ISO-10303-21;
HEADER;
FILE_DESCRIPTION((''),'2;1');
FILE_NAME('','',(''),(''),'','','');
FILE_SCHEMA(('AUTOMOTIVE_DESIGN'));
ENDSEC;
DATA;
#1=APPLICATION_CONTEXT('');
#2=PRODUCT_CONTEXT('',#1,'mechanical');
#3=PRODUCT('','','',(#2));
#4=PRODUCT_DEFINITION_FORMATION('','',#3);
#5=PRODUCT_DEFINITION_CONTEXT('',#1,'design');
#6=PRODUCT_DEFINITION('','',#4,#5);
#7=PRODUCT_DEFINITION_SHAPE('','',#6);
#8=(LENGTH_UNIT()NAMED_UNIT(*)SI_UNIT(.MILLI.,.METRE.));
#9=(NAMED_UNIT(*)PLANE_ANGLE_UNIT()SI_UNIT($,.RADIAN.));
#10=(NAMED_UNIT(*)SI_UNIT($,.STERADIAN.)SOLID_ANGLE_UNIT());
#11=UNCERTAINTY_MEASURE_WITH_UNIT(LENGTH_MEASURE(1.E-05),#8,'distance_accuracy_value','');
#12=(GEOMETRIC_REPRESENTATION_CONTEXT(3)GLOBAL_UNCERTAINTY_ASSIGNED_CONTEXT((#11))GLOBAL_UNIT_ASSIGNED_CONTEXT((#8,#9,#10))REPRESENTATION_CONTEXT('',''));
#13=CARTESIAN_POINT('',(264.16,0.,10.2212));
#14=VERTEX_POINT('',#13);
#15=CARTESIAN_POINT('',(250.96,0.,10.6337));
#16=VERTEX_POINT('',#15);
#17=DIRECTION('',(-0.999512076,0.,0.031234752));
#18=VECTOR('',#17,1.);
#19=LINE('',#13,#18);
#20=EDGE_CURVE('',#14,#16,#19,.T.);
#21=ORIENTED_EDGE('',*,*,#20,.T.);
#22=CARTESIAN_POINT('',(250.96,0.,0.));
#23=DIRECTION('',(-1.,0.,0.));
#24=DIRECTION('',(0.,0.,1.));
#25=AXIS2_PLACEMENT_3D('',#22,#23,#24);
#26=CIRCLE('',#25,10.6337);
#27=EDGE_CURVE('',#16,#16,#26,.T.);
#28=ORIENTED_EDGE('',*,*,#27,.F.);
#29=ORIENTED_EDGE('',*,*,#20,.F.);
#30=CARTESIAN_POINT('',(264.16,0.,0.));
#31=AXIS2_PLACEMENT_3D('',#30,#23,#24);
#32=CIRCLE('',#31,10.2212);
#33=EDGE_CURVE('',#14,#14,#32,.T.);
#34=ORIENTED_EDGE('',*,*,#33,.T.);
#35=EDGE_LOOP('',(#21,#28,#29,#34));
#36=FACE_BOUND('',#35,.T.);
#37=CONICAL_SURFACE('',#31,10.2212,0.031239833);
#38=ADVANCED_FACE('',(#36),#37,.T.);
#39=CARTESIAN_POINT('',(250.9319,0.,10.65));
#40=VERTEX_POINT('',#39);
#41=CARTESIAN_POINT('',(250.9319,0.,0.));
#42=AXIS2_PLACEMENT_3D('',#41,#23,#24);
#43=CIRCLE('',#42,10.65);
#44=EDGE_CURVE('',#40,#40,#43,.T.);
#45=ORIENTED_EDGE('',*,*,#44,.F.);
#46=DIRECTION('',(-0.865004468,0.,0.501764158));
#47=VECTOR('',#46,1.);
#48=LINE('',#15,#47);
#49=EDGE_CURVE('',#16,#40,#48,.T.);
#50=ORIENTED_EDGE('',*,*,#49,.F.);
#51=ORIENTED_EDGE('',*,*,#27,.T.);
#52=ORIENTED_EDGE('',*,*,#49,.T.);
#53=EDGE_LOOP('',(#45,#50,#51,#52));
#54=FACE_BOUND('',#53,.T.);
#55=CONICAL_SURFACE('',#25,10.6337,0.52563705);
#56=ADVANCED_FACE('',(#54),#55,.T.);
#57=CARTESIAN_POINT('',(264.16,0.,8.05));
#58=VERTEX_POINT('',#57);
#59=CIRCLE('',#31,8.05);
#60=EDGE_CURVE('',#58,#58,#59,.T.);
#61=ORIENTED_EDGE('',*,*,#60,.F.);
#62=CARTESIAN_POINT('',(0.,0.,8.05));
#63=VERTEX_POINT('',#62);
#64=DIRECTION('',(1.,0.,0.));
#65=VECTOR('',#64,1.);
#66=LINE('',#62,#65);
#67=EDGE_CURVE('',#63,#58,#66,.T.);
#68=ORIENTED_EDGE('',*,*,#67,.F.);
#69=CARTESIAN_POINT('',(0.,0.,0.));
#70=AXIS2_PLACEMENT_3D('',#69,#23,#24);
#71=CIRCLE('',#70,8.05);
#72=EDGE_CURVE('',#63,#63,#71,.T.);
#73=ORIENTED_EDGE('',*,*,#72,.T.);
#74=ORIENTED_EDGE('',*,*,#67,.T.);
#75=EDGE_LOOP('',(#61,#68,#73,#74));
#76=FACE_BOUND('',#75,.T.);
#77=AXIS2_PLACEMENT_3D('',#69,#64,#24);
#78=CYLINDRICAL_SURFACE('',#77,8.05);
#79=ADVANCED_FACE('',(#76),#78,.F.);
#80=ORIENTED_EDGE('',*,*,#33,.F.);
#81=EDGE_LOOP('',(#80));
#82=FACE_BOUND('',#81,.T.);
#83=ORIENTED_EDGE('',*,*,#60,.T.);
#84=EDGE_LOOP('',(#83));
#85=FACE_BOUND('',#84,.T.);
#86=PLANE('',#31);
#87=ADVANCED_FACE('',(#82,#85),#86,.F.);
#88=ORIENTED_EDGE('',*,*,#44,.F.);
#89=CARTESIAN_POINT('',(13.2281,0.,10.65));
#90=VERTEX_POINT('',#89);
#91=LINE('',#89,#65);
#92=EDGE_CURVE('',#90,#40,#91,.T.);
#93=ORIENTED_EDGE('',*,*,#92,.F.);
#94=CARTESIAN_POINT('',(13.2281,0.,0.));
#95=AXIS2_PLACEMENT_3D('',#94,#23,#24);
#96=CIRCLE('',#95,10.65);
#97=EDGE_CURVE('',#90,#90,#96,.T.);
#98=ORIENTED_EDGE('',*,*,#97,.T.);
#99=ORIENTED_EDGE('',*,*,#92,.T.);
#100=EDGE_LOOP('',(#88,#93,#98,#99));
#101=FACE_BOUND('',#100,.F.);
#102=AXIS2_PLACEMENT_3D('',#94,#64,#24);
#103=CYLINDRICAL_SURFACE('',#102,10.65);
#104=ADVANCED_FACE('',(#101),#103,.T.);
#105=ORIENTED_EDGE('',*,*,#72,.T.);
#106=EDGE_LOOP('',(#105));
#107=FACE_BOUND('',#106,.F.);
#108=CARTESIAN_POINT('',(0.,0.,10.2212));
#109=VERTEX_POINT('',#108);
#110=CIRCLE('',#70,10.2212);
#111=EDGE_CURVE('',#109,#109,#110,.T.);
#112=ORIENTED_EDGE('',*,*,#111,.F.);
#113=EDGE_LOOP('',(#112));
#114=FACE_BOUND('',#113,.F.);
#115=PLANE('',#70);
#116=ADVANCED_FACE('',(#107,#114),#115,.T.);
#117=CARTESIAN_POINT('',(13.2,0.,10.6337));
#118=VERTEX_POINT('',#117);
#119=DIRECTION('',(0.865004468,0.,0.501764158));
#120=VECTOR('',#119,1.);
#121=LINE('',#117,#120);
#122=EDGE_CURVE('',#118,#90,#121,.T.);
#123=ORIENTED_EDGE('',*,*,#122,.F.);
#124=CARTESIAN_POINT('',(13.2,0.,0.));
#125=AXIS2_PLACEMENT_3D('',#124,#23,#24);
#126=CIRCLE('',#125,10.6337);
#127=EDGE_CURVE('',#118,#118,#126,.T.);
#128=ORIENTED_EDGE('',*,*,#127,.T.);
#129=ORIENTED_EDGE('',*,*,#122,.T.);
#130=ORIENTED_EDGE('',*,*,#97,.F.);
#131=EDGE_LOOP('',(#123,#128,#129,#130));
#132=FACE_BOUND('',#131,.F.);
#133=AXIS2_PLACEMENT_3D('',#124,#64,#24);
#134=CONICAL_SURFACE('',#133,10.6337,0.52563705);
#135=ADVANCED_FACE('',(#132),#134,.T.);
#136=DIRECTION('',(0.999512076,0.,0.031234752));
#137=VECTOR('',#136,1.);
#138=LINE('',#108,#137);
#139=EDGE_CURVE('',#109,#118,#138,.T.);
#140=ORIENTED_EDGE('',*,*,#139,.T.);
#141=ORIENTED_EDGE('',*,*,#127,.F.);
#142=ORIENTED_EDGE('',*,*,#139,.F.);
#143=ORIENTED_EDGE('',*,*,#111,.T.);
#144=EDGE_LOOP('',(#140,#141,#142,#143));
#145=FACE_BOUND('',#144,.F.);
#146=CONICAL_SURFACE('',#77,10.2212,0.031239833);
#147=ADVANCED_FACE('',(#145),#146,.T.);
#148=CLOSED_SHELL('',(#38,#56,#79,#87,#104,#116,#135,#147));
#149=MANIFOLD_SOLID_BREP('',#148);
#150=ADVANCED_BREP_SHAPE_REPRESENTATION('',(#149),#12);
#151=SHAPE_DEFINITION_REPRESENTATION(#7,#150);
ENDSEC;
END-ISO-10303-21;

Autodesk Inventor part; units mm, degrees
ref_plane "YZ Plane" through (0, 0, 0) normal (1, 0, 0) x (0, 1, 0)
ref_plane "XZ Plane" through (0, 0, 0) normal (0, 1, 0) x (-1, 0, 0)
ref_plane "XY Plane" through (0, 0, 0) normal (0, 0, 1) x (1, 0, 0)
sketch "Sketch1" plane through (0, 0, 0) normal (0, 1, 0) x (-1, 0, 0)
  line L0 (-264.16, 0) -> (0, 0)
  line L1 (0, 0) -> (0, 8.05) construction
  line L2 (0, 8.05) -> (0, 10.2212)
  line L3 (0, 10.2212) -> (-13.2, 10.6337)
  line L4 (-13.2, 10.6337) -> (-13.2281, 10.65)
  line L5 (-13.2281, 10.65) -> (-250.9319, 10.65)
  line L6 (0, 8.05) -> (-264.16, 8.05)
  line L7 (-132.08, 0) -> (-132.08, 10.65) construction
  line L8 (-264.16, 0) -> (-264.16, 8.05) construction
  line L9 (-264.16, 8.05) -> (-264.16, 10.2212)
  line L10 (-264.16, 10.2212) -> (-250.96, 10.6337)
  line L11 (-250.96, 10.6337) -> (-250.9319, 10.65)
  line L12 (-8.2, 10.4775) -> (-8.2, 0) construction
  line L13 (-13.2, 10.6337) -> (-13.2, 0) construction
  line L14 (-250.96, 10.6337) -> (-250.96, 0) construction
  dimension "d0" = 8.2
  dimension "d1" = 13.2
  dimension "d2" = 1.79
  dimension "d3" = 20.955
  dimension "d4" = 21.3
  dimension "d5" = 2.6
  dimension "d6" = 264.16
  dimension "d7" = 30
revolve "Revolution1" add sketch "Sketch1" angle 360 about axis through (264.16, 0, 0) along (-1, 0, 0)
thread "Thread1" size "R 1/2" standard "ISO Taper" full length
thread "Thread2" size "R 1/2" standard "ISO Taper" full length
equation "\"d0\" = a"
equation "\"d1\" = LT"
equation "\"d3\" = MjD"
equation "\"d4\" = OD"
equation "\"d5\" = T"
equation "\"d6\" = L"
equation "\"OD\" = 21.3"
equation "\"T\" = 2.6"
equation "\"L\" = PL"
equation "\"LT\" = 13.2"
equation "\"ID\" = 16.1"
equation "\"PL\" = 264.16"
equation "\"MjD\" = 20.955"
equation "\"a\" = 8.2"
equation "\"Size_Designation\" = 1.2345"
equation "\"PLmin\" = 2 * LT + T"
properties material "Stainless Steel"
